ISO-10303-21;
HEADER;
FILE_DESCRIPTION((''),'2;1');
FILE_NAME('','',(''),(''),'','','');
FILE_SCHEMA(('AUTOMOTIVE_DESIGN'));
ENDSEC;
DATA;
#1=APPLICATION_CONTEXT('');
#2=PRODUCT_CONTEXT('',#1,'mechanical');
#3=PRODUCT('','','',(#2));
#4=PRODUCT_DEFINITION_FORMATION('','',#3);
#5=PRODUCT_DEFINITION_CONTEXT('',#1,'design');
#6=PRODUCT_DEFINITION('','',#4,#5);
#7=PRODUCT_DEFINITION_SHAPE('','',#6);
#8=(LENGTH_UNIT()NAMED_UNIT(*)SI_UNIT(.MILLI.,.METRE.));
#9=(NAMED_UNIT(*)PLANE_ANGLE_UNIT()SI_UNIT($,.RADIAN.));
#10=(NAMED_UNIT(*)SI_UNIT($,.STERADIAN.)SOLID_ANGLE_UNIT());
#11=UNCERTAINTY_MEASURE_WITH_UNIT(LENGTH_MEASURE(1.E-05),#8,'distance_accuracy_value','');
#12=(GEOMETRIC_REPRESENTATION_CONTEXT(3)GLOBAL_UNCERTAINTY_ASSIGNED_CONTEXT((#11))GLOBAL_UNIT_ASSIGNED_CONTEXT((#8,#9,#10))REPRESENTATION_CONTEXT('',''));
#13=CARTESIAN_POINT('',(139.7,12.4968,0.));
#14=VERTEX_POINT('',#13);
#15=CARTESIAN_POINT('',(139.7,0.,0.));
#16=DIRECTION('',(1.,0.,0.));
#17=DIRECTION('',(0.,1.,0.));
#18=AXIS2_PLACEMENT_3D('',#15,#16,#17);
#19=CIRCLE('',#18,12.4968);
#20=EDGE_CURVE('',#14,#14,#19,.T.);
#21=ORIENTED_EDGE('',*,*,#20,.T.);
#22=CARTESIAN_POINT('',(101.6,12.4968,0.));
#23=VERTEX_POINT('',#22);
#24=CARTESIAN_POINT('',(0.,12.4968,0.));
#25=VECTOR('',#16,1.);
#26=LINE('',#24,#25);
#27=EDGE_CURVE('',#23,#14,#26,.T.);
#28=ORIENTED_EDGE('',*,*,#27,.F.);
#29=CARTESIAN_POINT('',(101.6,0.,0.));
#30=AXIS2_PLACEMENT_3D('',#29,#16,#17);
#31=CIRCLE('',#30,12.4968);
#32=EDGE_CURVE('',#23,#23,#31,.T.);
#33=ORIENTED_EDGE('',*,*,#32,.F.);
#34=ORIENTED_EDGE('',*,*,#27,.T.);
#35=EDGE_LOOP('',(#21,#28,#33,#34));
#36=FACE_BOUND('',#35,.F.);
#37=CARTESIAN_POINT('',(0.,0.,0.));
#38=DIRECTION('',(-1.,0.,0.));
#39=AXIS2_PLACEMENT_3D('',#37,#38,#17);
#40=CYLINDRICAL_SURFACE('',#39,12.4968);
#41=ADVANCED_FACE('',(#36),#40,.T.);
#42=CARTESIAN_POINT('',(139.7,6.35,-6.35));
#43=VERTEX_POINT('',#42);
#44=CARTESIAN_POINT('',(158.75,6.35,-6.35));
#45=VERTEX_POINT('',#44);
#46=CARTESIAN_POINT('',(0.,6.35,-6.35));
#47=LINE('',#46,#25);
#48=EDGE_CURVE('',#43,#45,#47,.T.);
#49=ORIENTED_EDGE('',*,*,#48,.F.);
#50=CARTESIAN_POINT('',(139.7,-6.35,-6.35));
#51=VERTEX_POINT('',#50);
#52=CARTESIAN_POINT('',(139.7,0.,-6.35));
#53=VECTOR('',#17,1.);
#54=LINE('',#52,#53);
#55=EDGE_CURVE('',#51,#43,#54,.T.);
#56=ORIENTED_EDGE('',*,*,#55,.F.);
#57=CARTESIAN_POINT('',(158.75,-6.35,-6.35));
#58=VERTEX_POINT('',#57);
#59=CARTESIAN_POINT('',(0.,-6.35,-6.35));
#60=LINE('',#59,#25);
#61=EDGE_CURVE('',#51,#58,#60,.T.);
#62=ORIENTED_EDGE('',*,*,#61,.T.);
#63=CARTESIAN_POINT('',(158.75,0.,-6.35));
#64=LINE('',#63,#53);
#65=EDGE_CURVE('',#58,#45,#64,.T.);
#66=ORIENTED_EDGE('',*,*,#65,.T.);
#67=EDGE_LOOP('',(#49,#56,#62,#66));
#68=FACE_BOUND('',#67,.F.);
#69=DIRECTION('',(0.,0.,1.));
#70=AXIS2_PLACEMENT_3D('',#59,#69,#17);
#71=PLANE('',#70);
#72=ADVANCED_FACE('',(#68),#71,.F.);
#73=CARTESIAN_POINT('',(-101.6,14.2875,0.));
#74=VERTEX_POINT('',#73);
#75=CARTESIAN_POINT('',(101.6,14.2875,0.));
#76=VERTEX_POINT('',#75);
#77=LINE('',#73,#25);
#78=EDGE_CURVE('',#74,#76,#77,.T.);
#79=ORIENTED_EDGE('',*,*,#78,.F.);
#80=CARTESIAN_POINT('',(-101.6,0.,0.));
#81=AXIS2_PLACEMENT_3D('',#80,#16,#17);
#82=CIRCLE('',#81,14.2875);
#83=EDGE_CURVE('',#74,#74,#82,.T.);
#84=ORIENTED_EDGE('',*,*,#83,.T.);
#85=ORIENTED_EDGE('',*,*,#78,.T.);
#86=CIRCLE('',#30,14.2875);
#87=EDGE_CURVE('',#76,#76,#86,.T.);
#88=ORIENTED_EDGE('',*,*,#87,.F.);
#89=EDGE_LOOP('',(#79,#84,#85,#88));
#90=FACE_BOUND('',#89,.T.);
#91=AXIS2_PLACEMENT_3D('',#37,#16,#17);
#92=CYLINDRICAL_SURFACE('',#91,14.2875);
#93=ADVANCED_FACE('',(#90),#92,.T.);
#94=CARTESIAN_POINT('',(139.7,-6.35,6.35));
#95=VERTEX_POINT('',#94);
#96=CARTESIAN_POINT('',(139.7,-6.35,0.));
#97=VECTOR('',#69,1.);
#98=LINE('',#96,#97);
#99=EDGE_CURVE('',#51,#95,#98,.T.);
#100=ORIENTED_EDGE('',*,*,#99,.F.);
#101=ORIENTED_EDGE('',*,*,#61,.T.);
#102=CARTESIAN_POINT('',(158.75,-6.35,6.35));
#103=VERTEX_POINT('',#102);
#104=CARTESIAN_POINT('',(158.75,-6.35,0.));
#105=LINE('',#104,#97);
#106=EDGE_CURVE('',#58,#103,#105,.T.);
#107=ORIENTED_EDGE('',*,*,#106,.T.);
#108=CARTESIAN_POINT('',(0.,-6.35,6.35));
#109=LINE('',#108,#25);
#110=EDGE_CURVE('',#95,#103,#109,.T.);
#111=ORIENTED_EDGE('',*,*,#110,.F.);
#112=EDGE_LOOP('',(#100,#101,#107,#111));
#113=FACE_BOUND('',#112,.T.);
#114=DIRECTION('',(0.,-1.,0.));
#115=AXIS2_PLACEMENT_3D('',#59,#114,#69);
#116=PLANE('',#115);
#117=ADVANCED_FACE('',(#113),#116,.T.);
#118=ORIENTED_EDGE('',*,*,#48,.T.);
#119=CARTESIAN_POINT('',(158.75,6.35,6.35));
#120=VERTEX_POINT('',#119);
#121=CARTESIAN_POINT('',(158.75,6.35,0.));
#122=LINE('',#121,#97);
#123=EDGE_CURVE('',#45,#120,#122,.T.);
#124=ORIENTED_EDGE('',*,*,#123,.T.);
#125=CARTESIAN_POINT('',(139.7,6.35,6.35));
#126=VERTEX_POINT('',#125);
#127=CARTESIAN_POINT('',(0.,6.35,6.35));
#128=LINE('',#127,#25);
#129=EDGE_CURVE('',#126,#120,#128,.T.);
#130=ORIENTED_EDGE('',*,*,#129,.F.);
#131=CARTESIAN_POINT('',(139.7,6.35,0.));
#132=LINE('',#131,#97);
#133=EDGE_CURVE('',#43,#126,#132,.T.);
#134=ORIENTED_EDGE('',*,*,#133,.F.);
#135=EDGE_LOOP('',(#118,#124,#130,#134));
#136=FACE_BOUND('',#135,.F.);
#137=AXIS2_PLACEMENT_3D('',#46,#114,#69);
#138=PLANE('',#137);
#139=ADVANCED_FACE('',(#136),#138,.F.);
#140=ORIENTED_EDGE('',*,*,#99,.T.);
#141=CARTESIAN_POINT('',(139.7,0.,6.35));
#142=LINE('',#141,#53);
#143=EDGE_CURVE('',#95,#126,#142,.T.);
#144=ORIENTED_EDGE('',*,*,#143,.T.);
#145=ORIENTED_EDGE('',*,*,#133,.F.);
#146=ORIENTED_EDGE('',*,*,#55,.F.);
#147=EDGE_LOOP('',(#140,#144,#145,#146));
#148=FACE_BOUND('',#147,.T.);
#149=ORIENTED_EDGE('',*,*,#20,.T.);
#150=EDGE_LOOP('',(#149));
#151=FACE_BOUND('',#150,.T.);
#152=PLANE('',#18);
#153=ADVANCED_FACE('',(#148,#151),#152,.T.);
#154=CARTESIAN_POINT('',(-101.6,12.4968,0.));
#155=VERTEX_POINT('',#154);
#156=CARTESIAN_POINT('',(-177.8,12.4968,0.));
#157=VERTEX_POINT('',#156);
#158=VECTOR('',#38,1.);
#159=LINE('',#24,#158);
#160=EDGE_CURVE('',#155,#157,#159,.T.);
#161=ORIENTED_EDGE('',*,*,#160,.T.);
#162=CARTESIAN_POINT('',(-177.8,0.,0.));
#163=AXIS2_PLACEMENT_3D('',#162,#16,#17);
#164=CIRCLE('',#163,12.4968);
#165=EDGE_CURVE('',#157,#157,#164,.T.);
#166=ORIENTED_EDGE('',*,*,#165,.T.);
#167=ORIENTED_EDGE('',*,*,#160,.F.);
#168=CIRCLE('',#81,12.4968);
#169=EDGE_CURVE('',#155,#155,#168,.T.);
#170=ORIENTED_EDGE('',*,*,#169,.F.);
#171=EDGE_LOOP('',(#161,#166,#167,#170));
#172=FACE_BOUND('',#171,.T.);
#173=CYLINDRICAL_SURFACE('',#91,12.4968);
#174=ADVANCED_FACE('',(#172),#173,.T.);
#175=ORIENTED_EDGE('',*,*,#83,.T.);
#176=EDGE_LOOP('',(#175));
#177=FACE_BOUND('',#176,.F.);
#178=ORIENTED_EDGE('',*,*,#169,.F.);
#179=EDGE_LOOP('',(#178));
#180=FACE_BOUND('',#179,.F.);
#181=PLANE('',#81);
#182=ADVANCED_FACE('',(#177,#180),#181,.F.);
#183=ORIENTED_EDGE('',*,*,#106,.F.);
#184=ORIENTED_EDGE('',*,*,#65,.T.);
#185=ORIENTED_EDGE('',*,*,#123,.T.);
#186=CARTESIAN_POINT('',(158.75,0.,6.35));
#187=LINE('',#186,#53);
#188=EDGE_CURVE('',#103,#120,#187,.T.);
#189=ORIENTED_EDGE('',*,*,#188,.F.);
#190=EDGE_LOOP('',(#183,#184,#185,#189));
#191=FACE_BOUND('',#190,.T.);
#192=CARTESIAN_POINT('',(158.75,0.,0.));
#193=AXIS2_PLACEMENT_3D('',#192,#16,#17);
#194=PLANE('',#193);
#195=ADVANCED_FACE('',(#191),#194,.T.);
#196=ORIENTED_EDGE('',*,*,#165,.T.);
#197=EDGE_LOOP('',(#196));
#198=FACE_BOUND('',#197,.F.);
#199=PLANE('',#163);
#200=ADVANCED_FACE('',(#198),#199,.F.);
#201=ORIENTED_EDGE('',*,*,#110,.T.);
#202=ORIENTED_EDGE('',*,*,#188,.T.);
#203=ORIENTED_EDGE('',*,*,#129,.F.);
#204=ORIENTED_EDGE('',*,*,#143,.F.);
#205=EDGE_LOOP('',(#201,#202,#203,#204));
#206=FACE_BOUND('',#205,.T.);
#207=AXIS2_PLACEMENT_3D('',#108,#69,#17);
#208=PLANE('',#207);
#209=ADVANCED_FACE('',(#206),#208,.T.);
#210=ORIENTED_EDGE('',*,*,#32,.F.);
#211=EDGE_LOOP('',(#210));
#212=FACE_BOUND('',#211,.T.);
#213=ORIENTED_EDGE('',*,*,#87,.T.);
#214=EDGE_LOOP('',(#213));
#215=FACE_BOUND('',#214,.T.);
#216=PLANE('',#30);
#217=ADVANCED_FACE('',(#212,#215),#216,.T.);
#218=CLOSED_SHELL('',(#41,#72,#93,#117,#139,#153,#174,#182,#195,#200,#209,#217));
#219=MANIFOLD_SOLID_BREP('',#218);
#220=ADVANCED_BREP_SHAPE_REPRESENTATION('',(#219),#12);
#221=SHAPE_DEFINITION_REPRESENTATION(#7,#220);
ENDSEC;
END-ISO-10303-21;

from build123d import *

# Parameters (mm, degrees)
F0_R          = 14.2875
F0_R_2        = 12.4968
F1_DEPTH      = 101.6
F1_DEPTH_BACK = 101.6
F0_W          = 12.7
F0_H          = 12.7
F2_DEPTH      = 139.7
F2_DEPTH_BACK = 177.8
F3_DEPTH      = 158.75
F3_DEPTH_BACK = 177.8


with BuildPart() as f1:
    # F0 (on Right) → F1 (new body, two sides)
    with BuildSketch(Plane.YZ) as f1_sk:
        Circle(F0_R)
        Circle(F0_R_2, mode=Mode.SUBTRACT)
    extrude(amount=F1_DEPTH)
    extrude(f1_sk.sketch, amount=-F1_DEPTH_BACK)

    # F0 (on Right) → F2 (join, two sides)
    with BuildSketch(Plane.YZ) as f2_sk:
        Circle(F0_R_2)
        Rectangle(F0_W, F0_H, mode=Mode.SUBTRACT)
    extrude(amount=F2_DEPTH)
    extrude(f2_sk.sketch, amount=-F2_DEPTH_BACK)

    # F0 (on Right) → F3 (join, two sides)
    with BuildSketch(Plane.YZ) as f3_sk:
        Rectangle(F0_W, F0_H)
    extrude(amount=F3_DEPTH)
    extrude(f3_sk.sketch, amount=-F3_DEPTH_BACK)


solid = f1.part
